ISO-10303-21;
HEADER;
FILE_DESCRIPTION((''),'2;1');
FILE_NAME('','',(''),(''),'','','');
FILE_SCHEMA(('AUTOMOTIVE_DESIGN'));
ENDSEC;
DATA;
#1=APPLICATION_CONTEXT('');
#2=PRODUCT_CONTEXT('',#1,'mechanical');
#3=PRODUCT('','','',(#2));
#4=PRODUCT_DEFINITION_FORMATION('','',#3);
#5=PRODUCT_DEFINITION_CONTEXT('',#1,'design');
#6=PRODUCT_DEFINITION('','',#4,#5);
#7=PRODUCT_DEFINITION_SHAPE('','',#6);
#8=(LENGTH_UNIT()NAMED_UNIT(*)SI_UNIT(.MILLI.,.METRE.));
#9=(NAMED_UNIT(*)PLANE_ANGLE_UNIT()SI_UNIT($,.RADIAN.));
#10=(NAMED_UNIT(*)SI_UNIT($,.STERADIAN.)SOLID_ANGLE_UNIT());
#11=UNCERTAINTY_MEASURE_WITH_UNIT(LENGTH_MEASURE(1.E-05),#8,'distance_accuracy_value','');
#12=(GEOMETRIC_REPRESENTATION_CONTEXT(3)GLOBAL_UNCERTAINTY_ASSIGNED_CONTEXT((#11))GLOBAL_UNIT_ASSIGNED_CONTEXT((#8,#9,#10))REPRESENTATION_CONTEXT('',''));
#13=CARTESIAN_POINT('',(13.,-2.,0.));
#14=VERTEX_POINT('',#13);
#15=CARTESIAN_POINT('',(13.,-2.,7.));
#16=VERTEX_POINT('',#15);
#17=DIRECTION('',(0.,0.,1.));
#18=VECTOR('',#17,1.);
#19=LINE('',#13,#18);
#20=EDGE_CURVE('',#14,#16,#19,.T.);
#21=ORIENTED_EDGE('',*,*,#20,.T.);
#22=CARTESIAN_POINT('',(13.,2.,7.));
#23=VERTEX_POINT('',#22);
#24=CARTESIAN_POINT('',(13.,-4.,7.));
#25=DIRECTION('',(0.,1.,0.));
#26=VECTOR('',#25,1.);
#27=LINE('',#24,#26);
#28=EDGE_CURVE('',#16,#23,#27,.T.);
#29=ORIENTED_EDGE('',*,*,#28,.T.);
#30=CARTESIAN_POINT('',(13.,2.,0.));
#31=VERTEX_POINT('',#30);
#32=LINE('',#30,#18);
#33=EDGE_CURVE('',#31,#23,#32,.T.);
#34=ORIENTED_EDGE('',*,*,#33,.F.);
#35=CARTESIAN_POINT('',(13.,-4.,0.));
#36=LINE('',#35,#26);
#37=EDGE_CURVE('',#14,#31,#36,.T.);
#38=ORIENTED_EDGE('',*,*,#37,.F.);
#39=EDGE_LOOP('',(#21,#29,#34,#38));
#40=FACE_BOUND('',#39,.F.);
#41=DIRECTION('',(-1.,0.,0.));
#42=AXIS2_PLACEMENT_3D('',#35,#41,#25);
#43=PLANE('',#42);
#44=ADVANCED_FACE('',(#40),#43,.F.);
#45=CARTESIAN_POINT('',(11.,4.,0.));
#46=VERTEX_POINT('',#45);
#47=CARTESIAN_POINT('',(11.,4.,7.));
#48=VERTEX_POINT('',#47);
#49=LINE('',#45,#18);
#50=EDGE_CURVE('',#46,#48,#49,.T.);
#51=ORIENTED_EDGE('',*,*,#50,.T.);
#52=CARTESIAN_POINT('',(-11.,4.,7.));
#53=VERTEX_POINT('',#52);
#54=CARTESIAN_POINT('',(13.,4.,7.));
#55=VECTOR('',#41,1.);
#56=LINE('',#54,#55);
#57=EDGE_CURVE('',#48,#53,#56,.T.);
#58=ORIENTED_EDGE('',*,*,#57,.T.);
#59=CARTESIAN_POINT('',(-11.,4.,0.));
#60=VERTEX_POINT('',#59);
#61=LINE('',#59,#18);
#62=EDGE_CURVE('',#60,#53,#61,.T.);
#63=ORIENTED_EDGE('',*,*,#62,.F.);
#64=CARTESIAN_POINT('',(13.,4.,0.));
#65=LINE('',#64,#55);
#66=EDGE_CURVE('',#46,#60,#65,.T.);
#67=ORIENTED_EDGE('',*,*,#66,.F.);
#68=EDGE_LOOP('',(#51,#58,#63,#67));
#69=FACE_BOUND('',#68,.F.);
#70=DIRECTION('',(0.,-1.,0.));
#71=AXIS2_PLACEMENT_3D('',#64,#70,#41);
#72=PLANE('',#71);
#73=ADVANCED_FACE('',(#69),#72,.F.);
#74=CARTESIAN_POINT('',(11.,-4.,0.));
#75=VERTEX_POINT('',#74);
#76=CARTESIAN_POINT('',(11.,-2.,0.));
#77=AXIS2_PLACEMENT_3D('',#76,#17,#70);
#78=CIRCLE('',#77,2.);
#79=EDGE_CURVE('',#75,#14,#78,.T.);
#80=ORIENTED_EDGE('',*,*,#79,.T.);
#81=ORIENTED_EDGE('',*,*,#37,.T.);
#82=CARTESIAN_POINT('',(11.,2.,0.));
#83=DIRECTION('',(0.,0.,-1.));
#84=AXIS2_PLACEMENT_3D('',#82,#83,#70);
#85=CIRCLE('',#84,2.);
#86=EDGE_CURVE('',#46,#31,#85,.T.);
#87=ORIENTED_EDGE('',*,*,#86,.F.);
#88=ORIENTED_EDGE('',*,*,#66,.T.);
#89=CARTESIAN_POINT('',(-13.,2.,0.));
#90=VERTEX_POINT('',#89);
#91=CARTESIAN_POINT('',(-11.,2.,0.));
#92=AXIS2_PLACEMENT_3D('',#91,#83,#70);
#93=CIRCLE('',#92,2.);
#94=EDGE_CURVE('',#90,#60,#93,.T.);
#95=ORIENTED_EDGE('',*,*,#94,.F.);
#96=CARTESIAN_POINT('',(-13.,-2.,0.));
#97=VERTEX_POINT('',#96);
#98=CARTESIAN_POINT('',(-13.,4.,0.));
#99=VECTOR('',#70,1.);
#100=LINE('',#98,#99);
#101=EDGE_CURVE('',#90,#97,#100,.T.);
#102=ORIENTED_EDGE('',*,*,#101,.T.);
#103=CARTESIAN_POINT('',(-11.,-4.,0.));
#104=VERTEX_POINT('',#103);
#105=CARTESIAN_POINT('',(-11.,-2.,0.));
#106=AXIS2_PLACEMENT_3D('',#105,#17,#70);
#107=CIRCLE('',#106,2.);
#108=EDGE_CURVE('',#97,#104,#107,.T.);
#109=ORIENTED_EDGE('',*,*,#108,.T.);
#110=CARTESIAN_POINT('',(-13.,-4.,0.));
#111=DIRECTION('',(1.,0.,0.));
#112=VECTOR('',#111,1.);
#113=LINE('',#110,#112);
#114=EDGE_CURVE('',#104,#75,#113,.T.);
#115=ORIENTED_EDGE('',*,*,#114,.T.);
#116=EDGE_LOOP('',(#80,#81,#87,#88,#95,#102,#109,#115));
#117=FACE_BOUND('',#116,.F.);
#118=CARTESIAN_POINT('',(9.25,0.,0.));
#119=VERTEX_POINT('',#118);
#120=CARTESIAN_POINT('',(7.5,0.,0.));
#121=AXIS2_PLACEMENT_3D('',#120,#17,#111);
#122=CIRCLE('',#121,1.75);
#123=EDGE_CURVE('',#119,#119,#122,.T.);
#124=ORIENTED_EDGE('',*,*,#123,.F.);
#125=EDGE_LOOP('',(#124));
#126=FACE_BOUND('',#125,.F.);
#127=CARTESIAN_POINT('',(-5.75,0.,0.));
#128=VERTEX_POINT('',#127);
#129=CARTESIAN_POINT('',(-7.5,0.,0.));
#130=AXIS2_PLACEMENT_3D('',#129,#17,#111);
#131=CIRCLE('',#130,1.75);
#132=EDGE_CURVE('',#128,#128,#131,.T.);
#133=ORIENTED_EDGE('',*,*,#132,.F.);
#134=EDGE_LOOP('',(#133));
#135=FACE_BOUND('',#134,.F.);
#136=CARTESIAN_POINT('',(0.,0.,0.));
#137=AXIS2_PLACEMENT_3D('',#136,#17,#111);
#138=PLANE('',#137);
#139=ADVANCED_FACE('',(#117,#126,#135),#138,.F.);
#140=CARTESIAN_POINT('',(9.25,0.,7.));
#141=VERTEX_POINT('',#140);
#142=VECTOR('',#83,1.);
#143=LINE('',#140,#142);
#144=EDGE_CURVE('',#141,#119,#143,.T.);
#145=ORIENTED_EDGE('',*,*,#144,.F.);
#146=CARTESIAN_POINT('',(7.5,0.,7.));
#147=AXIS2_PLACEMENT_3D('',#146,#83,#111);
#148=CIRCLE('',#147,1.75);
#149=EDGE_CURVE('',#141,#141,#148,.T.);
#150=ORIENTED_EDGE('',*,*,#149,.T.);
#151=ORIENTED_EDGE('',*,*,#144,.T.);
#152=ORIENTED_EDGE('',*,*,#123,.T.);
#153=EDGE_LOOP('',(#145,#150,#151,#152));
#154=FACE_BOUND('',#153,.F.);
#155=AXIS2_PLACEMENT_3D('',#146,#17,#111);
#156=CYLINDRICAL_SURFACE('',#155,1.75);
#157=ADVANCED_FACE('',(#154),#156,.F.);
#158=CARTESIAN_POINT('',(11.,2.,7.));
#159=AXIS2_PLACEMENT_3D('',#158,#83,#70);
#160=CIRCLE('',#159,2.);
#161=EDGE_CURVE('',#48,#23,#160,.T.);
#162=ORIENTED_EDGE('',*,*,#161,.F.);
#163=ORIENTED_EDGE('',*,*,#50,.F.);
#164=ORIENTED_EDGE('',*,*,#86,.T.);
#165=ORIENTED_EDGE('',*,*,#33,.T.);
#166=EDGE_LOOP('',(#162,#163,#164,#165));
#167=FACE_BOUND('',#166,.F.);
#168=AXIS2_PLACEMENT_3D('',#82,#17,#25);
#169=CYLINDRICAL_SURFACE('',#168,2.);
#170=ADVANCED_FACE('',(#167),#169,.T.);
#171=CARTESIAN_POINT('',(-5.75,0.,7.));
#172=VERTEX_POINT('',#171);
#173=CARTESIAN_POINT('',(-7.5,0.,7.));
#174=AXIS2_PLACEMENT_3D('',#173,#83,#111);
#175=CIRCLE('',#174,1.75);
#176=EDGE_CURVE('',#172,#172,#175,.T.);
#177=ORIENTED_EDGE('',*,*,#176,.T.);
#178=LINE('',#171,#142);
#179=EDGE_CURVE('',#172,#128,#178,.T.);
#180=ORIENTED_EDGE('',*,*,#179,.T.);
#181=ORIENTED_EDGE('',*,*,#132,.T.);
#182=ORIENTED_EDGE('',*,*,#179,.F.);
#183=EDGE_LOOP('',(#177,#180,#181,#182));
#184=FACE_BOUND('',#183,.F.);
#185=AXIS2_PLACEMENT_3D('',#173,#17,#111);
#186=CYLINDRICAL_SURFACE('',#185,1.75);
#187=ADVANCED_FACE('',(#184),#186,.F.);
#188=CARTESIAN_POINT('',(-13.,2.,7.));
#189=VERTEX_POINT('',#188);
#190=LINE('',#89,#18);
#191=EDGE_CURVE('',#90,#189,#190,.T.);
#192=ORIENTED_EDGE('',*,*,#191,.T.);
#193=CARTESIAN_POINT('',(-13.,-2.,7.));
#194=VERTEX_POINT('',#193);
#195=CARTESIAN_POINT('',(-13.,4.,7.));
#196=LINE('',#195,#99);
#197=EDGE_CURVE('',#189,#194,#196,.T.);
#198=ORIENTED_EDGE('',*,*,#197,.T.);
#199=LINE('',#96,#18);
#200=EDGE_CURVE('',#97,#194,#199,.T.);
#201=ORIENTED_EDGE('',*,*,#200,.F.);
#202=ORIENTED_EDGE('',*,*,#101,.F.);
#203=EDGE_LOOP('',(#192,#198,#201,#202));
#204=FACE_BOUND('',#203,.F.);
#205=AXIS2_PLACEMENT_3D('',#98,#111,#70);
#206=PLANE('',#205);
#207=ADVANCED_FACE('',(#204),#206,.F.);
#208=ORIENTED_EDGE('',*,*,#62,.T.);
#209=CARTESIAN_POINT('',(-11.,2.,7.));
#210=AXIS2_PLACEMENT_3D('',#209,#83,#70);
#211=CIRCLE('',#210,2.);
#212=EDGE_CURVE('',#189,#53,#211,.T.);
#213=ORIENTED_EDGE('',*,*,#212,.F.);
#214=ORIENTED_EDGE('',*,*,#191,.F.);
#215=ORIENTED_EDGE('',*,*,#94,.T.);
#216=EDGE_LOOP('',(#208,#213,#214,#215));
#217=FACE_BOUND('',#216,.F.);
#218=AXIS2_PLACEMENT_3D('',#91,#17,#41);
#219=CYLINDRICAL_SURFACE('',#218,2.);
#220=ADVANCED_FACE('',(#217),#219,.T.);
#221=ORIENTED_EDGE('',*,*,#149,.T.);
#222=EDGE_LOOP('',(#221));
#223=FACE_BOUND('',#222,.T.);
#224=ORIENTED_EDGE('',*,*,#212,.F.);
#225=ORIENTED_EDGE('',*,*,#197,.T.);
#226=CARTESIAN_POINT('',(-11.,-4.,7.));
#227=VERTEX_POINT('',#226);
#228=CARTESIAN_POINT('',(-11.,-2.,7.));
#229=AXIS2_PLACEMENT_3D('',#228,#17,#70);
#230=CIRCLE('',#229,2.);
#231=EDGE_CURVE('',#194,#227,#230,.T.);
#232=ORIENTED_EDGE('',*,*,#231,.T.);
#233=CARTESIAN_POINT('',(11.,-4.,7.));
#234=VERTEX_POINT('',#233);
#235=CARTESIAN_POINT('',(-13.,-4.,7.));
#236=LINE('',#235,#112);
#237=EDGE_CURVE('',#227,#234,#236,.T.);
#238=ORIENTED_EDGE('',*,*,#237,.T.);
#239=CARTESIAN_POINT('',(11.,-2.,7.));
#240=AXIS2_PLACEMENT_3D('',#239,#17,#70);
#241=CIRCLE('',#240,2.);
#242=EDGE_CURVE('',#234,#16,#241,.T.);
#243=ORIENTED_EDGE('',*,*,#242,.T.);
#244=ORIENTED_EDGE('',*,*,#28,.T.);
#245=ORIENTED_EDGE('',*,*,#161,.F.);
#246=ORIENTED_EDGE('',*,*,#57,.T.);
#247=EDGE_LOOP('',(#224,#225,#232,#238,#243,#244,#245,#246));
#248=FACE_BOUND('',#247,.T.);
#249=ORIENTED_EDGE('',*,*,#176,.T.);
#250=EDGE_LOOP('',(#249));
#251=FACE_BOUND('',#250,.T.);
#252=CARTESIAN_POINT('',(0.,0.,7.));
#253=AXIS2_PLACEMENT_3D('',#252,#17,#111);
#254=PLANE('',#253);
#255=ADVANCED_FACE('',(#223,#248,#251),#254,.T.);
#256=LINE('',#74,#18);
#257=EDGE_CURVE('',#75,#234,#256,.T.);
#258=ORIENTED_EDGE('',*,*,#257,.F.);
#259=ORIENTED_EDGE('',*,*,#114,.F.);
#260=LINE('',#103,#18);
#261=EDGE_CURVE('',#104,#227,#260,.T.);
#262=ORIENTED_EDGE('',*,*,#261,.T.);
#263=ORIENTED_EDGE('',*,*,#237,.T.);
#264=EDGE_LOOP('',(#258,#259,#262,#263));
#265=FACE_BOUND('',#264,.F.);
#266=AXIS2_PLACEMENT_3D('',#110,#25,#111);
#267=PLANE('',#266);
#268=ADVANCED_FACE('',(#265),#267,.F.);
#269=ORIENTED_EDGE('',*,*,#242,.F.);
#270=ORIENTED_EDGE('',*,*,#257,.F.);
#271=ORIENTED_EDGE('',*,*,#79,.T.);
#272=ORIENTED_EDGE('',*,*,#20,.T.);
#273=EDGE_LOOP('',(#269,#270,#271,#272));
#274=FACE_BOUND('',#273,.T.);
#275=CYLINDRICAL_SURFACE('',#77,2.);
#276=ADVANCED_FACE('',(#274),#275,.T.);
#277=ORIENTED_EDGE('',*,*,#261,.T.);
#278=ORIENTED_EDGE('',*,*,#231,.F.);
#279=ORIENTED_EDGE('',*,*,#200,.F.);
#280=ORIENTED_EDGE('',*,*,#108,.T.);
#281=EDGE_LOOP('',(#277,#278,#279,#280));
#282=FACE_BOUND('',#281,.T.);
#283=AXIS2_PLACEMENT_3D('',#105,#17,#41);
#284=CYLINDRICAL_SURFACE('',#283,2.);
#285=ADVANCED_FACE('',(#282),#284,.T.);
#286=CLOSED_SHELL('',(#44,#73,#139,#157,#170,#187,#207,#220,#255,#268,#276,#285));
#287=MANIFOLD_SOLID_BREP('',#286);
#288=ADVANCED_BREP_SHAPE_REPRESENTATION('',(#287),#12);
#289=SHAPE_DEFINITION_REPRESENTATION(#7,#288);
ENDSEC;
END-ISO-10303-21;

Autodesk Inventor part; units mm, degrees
ref_plane "YZ Plane" through (0, 0, 0) normal (1, 0, 0) x (0, 1, 0)
ref_plane "XZ Plane" through (0, 0, 0) normal (0, 1, 0) x (-1, 0, 0)
ref_plane "XY Plane" through (0, 0, 0) normal (0, 0, 1) x (1, 0, 0)
sketch "Sketch1" plane through (0, 0, 0) normal (0, 0, 1) x (1, 0, 0)
  line L0 (-13, -4) -> (13, -4)
  line L1 (13, -4) -> (13, 4)
  line L2 (13, 4) -> (-13, 4)
  line L3 (-13, 4) -> (-13, -4)
  line L4 (-13, -4) -> (13, 4) construction
  line L5 (13, -4) -> (-13, 4) construction
  point P0 (0, 0)
  dimension "d0" = 26
  dimension "d1" = 8
extrude "Extrusion1" add sketch "Sketch1" along normal blind 7
sketch "Sketch2" plane through (0, 0, 7) normal (0, 0, 1) x (1, 0, 0)
  line L0 (0, 5.6) -> (0, -5.6) projected
  circle A0 centre (-7.5, 0) radius 1.75
  circle A1 centre (7.5, 0) radius 1.75
  line L1 (-18.2, 0) -> (18.2, 0) projected
  point P0 (0, 0)
  dimension "d4" = 3.5
  dimension "d5" = 15
extrude "Extrusion2" cut sketch "Sketch2" against normal through all
fillet "Fillet1" radius 2 4 edges at (-13, 4, 3.5) (-13, -4, 3.5) (13, -4, 3.5) (13, 4, 3.5)
properties part number "30_Lasercable_holder_B"
